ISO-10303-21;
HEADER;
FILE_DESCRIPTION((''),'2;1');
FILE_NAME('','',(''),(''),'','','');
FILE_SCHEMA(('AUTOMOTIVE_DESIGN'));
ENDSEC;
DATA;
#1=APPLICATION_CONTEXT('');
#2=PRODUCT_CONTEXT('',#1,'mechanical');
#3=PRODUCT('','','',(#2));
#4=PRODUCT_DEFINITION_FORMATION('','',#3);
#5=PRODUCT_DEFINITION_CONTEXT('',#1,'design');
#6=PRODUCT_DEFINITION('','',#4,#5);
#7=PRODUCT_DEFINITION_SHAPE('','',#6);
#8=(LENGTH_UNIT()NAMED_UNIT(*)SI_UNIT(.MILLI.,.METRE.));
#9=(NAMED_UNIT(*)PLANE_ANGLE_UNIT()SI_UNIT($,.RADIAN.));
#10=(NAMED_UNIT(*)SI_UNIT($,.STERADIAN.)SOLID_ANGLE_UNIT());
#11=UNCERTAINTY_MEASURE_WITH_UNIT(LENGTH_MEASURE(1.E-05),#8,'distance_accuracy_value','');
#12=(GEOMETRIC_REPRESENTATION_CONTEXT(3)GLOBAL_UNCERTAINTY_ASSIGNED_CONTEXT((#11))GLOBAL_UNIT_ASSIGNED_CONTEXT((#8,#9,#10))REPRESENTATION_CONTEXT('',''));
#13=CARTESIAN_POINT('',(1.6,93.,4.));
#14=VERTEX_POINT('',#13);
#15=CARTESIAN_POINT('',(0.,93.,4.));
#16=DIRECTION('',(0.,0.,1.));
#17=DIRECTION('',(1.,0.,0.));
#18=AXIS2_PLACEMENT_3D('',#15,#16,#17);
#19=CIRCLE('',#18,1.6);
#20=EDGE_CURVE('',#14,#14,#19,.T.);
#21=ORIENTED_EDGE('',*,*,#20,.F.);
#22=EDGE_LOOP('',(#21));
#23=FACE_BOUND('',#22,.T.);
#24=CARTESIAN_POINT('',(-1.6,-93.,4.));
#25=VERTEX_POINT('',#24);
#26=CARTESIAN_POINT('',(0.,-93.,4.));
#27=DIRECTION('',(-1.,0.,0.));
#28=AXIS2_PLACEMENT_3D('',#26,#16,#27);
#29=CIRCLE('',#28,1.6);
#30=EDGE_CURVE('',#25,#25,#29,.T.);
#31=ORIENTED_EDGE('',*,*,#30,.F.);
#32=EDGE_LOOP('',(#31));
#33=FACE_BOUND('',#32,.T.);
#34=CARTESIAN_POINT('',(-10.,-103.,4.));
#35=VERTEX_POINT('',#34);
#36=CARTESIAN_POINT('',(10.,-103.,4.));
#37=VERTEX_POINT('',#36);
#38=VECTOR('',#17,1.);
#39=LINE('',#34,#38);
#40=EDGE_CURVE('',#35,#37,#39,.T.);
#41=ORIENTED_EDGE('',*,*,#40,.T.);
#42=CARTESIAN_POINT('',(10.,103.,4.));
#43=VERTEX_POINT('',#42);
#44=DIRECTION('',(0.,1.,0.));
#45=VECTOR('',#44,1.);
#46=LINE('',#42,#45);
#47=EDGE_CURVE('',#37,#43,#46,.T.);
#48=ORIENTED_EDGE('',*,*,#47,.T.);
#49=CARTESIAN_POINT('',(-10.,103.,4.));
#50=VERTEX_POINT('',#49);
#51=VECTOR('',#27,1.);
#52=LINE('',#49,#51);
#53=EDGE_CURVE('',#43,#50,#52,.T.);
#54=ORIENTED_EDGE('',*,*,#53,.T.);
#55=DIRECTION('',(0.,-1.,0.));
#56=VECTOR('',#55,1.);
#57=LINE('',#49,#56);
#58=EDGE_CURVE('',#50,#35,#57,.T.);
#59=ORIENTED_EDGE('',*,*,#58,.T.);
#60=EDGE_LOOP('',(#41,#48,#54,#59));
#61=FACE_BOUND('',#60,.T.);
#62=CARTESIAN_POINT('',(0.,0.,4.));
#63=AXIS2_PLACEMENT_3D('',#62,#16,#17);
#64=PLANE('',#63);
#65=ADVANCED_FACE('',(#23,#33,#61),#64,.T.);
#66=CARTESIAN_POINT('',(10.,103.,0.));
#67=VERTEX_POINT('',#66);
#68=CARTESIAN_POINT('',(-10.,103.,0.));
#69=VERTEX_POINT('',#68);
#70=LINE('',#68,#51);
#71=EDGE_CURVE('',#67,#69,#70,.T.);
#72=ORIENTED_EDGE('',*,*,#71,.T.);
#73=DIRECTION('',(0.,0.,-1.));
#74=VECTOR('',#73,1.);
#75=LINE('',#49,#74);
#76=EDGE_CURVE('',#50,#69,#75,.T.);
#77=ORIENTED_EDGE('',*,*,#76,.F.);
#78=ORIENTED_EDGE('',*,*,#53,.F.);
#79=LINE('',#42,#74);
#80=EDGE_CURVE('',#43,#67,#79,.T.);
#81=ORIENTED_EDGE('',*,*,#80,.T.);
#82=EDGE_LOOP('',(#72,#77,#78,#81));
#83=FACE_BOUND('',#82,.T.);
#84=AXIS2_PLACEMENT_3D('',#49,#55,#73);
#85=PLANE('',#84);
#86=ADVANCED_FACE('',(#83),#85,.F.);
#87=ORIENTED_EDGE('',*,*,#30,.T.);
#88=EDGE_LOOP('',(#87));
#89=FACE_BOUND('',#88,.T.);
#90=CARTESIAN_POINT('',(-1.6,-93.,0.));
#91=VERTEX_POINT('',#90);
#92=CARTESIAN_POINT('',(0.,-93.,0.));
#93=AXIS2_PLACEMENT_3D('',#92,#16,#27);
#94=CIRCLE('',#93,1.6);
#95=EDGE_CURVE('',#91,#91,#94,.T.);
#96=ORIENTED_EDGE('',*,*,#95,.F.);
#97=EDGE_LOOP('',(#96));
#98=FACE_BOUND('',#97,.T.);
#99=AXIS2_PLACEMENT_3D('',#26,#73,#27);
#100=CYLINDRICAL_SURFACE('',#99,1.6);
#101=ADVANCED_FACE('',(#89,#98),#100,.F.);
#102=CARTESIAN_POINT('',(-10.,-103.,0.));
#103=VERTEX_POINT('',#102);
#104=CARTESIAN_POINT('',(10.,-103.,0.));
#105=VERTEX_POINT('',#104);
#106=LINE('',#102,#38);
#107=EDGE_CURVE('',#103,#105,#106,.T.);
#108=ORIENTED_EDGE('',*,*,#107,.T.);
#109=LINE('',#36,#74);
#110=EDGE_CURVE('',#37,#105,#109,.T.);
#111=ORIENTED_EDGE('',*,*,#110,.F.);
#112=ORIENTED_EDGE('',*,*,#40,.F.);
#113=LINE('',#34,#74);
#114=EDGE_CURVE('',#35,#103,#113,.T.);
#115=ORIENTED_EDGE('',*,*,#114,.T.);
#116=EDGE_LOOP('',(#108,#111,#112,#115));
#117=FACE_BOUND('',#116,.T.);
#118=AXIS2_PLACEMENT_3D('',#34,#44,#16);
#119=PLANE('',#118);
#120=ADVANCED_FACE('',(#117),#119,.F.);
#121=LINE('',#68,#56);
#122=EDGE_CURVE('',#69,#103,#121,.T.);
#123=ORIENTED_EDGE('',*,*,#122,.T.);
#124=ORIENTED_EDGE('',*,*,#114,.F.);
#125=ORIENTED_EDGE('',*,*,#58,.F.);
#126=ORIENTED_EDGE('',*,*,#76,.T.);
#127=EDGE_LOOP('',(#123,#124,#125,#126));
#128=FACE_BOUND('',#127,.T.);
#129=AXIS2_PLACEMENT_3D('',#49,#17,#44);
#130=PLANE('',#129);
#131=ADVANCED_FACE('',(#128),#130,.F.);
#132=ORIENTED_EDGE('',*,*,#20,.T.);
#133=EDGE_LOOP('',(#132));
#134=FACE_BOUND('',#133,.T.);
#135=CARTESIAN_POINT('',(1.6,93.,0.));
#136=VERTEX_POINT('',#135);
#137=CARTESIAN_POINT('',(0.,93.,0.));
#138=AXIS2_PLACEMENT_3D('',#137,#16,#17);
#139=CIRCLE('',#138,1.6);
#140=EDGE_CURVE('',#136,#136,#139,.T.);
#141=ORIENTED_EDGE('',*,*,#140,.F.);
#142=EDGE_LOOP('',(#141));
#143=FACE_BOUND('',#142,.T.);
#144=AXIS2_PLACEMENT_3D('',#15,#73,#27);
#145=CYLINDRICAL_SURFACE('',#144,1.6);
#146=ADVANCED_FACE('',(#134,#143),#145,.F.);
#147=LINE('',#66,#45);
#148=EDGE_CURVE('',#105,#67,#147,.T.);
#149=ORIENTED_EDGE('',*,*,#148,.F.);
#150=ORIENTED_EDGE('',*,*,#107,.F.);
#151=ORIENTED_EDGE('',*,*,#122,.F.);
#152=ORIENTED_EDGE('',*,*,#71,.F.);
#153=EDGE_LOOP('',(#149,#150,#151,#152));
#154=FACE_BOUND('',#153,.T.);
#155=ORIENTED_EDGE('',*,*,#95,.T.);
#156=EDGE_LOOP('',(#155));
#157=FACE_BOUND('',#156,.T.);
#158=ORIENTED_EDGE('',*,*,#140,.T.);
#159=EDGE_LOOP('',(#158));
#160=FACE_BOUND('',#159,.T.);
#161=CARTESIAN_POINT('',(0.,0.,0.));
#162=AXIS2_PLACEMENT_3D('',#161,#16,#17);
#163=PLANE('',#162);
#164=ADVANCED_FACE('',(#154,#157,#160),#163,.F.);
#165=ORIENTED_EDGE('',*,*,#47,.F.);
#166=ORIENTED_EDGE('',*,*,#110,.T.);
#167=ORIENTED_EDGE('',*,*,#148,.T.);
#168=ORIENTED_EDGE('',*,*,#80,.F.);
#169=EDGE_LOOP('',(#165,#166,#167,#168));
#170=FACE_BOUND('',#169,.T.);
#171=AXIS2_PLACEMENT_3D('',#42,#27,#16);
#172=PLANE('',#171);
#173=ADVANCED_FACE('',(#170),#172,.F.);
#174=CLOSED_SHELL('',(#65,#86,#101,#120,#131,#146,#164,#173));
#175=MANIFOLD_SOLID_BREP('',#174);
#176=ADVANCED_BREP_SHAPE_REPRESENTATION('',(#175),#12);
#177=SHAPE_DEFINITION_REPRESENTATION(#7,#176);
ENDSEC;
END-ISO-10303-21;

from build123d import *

# Parameters (mm, degrees)
SKETCH_1_W      = 20
SKETCH_1_H      = 206
SKETCH_1_R      = 1.6
EXTRUDE_1_DEPTH = 4


with BuildPart() as part:
    # 草图1 → 凸台-拉伸1 (new body)
    with BuildSketch(Plane.XY):
        Rectangle(SKETCH_1_W, SKETCH_1_H)
        with Locations((0, 93)):
            Circle(SKETCH_1_R, mode=Mode.SUBTRACT)
        with Locations(Location((0, -93, 0), (0, 0, 180))):
            Circle(SKETCH_1_R, mode=Mode.SUBTRACT)
    extrude(amount=EXTRUDE_1_DEPTH)


solid = part.part
